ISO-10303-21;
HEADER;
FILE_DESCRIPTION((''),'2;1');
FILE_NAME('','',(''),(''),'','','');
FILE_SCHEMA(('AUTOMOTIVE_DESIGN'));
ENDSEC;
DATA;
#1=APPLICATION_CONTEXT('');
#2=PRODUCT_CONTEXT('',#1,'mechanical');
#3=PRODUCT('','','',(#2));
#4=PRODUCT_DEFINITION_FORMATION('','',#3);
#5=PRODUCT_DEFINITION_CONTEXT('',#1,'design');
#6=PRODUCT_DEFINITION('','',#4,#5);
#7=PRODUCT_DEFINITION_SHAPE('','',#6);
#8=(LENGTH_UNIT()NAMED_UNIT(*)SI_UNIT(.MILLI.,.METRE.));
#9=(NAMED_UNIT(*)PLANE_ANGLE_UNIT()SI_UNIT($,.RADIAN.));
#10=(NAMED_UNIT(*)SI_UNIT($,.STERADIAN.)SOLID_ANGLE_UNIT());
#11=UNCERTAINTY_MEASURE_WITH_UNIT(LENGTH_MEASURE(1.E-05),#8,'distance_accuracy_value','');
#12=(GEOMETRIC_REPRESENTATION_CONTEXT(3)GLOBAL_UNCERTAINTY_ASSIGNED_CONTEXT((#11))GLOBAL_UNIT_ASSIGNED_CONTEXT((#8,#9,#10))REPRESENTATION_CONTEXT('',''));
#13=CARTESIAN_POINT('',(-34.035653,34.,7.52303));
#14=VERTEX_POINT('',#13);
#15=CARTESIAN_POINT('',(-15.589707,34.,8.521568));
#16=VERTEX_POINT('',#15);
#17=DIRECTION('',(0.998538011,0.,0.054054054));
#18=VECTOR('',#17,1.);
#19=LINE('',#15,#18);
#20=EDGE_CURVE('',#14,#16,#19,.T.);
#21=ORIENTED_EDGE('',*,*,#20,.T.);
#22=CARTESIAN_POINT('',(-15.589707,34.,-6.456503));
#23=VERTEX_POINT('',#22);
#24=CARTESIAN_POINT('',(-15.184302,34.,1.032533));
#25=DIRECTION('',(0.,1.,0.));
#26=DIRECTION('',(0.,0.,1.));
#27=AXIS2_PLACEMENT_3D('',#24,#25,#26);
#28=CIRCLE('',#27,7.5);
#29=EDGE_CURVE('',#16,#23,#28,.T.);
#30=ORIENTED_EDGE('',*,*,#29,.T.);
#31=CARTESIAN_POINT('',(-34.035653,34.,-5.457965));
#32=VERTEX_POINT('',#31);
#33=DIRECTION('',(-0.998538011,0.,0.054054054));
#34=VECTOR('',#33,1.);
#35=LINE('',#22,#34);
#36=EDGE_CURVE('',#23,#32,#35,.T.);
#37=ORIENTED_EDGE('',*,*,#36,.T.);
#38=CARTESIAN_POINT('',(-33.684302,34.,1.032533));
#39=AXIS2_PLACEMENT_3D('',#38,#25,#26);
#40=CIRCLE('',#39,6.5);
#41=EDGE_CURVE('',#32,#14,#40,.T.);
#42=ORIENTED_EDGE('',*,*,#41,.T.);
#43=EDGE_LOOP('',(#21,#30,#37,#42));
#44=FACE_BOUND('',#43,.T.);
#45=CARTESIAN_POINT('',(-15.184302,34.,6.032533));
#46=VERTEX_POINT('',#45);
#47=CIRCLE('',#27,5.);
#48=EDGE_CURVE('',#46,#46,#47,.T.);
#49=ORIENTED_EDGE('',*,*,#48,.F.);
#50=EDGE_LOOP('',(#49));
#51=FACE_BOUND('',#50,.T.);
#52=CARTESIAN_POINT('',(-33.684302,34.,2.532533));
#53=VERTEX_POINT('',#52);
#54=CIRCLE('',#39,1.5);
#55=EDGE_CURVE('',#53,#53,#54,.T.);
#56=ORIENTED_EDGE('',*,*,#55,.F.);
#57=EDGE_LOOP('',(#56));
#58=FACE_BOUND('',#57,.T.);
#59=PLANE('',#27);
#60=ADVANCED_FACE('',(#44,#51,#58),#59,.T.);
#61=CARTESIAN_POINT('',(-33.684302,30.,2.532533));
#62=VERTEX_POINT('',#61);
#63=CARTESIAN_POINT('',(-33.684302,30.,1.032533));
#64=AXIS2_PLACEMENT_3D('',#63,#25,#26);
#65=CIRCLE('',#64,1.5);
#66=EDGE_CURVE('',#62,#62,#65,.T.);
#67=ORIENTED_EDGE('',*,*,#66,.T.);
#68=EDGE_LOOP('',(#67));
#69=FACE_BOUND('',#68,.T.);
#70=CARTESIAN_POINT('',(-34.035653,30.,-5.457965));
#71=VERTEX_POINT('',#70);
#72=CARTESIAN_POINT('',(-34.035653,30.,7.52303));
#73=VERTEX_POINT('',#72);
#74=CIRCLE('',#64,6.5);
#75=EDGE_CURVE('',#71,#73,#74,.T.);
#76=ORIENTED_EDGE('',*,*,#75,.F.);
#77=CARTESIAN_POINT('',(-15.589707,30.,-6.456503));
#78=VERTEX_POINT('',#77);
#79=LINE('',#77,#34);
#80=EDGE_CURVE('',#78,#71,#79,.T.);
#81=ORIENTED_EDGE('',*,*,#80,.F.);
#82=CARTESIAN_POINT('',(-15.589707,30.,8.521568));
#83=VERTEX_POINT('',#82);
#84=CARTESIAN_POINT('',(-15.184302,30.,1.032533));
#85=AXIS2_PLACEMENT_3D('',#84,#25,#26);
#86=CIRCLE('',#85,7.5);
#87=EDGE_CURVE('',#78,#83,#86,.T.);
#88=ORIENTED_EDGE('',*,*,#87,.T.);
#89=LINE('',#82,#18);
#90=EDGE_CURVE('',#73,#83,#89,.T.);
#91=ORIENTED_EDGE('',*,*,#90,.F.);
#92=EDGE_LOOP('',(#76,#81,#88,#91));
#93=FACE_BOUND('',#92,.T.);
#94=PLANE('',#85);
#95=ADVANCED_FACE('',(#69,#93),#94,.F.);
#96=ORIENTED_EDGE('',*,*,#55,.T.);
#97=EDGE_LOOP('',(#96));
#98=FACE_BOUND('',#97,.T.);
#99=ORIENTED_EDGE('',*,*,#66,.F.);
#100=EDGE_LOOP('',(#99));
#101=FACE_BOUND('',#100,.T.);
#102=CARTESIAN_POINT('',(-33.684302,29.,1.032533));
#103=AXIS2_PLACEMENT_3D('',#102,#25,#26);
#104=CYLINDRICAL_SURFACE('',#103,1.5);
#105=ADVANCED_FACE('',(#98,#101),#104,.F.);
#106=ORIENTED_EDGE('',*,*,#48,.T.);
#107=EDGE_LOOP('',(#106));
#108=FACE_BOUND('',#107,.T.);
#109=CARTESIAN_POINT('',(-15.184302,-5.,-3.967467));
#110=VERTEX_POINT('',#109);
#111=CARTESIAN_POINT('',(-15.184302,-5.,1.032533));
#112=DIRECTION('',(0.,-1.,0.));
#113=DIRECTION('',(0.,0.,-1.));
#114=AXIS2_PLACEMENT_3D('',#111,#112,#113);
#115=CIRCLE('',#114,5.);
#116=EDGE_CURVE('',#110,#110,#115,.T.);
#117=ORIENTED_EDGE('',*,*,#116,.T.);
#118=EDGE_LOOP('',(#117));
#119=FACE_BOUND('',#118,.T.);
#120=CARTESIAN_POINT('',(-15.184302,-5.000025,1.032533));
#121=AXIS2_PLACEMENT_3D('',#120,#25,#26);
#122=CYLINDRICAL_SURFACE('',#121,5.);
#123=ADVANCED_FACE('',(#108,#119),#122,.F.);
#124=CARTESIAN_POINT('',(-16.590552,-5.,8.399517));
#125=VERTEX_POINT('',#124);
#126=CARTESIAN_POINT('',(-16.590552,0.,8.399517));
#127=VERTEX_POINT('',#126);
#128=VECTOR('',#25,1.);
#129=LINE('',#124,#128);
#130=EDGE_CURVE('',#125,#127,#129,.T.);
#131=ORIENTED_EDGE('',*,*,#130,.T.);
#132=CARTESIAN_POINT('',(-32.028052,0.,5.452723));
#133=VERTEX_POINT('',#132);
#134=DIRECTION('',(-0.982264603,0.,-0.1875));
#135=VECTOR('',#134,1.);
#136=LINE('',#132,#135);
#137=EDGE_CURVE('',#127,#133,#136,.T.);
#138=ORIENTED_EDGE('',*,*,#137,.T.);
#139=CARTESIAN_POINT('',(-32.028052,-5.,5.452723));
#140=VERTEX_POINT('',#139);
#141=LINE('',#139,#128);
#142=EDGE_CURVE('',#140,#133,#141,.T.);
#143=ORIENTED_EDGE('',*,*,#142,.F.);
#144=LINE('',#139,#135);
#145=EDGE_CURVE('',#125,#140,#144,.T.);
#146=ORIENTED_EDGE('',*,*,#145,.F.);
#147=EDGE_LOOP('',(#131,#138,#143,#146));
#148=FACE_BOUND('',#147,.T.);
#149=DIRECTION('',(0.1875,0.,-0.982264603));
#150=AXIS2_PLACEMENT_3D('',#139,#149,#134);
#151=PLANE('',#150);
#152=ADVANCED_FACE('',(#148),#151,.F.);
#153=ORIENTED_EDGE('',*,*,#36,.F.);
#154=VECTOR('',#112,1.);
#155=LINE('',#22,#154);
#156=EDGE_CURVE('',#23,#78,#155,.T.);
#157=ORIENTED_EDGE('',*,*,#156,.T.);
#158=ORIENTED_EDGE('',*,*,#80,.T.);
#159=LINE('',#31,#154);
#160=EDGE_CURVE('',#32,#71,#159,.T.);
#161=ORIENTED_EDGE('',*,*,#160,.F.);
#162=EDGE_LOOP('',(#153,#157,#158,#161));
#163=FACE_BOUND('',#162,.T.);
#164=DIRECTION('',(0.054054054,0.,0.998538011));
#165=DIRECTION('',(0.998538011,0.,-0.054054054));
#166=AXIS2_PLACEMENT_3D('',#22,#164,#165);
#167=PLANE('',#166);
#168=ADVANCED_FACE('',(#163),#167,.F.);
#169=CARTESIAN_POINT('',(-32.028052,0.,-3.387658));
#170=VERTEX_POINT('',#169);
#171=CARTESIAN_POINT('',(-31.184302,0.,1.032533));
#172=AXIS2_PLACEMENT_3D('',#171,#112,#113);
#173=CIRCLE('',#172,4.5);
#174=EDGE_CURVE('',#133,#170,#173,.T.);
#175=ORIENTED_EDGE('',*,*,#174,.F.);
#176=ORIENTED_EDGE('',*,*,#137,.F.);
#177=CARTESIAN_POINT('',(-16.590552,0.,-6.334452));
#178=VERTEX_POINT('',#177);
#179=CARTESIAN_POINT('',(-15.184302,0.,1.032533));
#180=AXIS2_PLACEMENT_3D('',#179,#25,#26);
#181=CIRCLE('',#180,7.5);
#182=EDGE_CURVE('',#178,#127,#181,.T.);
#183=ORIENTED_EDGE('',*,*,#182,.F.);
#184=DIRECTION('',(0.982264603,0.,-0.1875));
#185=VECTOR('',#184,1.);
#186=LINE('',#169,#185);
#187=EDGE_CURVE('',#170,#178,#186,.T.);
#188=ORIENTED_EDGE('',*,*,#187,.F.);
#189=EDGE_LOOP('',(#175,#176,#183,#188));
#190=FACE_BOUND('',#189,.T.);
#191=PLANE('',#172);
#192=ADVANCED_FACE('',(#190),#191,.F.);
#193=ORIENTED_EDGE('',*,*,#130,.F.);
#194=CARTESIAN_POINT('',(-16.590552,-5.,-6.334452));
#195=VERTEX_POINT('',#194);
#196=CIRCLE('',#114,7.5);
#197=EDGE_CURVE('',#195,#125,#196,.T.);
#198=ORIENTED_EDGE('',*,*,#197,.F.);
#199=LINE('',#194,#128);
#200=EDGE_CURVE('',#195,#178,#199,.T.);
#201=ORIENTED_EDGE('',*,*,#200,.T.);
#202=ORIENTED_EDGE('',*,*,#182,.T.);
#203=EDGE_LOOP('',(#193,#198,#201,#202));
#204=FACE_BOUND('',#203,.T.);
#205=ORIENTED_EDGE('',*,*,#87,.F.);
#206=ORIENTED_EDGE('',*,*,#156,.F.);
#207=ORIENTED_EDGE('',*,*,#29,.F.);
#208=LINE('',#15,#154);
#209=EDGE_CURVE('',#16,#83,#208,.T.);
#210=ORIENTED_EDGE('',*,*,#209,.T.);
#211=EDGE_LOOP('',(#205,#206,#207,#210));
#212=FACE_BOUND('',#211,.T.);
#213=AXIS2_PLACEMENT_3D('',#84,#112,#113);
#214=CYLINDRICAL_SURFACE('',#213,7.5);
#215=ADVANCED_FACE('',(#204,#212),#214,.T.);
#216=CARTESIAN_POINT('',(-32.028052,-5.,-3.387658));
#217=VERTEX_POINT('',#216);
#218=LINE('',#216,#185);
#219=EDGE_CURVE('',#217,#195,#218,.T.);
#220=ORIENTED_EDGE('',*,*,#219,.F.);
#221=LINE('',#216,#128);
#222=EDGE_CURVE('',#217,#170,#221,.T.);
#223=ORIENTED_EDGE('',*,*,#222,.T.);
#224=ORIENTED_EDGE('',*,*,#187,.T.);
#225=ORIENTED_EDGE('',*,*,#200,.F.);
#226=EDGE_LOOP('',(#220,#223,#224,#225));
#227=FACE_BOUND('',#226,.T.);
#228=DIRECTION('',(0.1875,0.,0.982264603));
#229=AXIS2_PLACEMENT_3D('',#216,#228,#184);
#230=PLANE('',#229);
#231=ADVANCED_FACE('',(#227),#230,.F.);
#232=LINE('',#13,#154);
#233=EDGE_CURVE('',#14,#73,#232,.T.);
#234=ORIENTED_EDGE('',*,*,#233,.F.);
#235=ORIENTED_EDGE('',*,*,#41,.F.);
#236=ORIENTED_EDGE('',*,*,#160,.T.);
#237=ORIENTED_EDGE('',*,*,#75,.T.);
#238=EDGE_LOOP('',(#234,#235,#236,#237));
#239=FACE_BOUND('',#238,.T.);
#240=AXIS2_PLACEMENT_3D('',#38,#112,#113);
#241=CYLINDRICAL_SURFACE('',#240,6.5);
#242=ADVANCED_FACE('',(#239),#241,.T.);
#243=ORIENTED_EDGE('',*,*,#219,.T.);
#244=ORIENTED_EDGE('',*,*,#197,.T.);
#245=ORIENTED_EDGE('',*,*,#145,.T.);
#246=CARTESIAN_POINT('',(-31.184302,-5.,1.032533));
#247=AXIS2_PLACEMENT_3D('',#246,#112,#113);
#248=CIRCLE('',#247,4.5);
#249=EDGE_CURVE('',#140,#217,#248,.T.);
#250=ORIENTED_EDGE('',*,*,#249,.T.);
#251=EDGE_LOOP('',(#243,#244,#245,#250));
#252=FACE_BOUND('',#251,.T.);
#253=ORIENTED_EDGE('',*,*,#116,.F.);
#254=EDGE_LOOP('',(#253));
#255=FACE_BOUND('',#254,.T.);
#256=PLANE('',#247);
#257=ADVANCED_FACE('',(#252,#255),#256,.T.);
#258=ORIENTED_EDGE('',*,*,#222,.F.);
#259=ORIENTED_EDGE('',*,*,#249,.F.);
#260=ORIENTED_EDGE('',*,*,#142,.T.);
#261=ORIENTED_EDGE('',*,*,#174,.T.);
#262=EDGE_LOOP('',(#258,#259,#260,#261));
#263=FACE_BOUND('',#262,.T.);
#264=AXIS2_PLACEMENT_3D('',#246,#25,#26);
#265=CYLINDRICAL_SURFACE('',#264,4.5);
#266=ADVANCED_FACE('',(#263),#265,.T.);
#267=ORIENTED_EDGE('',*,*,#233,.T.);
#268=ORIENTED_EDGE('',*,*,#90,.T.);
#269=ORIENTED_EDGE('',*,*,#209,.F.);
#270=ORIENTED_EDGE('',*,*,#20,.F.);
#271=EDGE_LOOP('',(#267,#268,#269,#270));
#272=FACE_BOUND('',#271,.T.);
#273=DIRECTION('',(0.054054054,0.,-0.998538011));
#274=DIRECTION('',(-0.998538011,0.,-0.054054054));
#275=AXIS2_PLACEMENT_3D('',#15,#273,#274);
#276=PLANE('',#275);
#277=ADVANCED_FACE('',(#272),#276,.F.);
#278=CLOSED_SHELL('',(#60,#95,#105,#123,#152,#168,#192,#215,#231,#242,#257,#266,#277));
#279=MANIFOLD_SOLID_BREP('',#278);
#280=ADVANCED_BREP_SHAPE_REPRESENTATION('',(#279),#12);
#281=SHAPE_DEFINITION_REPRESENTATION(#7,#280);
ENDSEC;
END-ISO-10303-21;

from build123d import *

# Parameters (mm, degrees)
CROQUIS1_R              = 7.5
SALIENTE_EXTRUIR1_DEPTH = 30
SALIENTE_EXTRUIR2_DEPTH = 4
SALIENTE_EXTRUIR3_DEPTH = 5
CROQUIS4_R              = 1.5
CORTAR_EXTRUIR1_DEPTH   = 5
CROQUIS5_R              = 5
CORTAR_EXTRUIR2_DEPTH   = 57.644348631


with BuildPart() as part:
    # Croquis1 → Saliente-Extruir1 (new body)
    with BuildSketch(Plane(origin=(0, 0, 0), x_dir=(1, 0, 0), z_dir=(0, 1, 0))):
        with Locations(Location((-15.184301915, -1.03253253, 0), (0, 0, 270))):
            Circle(CROQUIS1_R)
    extrude(amount=SALIENTE_EXTRUIR1_DEPTH)

    # Croquis2 → Saliente-Extruir2 (add)
    with BuildSketch(Plane(origin=(0, 30, 0), x_dir=(1, 0, 0), z_dir=(0, 1, 0))):
        with BuildLine():
            Line((-15.589707321, -8.521567612), (-34.035653267, -7.523029601))
            ThreePointArc((-34.035653267, -7.523029601), (-40.184301915, -1.03253253), (-34.035653267, 5.457964541))
            Line((-34.035653267, 5.457964541), (-15.589707321, 6.456502552))
            ThreePointArc((-15.589707321, 6.456502552), (-7.684301915, -1.03253253), (-15.589707321, -8.521567612))
        make_face()
    extrude(amount=SALIENTE_EXTRUIR2_DEPTH)

    # Croquis3 → Saliente-Extruir3 (add)
    with BuildSketch(Plane(origin=(0, 0, 0), x_dir=(-1, 0, 0), z_dir=(0, -1, 0))):
        with BuildLine():
            Line((32.028051915, -5.452723243), (16.590551915, -8.399517052))
            ThreePointArc((16.590551915, -8.399517052), (7.684301915, -1.03253253), (16.590551915, 6.334451991))
            Line((16.590551915, 6.334451991), (32.028051915, 3.387658183))
            ThreePointArc((32.028051915, 3.387658183), (35.684301915, -1.03253253), (32.028051915, -5.452723243))
        make_face()
    extrude(amount=SALIENTE_EXTRUIR3_DEPTH)

    # Croquis4 → Cortar-Extruir1 (cut)
    with BuildSketch(Plane(origin=(0, 34, 0), x_dir=(1, 0, 0), z_dir=(0, 1, 0))):
        with Locations(Location((-33.684301915, -1.03253253, 0), (0, 0, 270))):
            Circle(CROQUIS4_R)
    extrude(amount=-CORTAR_EXTRUIR1_DEPTH, mode=Mode.SUBTRACT)

    # Croquis5 → Cortar-Extruir2 (cut, through all)
    with BuildSketch(Plane(origin=(0, 34, 0), x_dir=(1, 0, 0), z_dir=(0, 1, 0))):
        with Locations(Location((-15.184301915, -1.03253253, 0), (0, 0, 270))):
            Circle(CROQUIS5_R)
    extrude(amount=-CORTAR_EXTRUIR2_DEPTH, mode=Mode.SUBTRACT)


solid = part.part
